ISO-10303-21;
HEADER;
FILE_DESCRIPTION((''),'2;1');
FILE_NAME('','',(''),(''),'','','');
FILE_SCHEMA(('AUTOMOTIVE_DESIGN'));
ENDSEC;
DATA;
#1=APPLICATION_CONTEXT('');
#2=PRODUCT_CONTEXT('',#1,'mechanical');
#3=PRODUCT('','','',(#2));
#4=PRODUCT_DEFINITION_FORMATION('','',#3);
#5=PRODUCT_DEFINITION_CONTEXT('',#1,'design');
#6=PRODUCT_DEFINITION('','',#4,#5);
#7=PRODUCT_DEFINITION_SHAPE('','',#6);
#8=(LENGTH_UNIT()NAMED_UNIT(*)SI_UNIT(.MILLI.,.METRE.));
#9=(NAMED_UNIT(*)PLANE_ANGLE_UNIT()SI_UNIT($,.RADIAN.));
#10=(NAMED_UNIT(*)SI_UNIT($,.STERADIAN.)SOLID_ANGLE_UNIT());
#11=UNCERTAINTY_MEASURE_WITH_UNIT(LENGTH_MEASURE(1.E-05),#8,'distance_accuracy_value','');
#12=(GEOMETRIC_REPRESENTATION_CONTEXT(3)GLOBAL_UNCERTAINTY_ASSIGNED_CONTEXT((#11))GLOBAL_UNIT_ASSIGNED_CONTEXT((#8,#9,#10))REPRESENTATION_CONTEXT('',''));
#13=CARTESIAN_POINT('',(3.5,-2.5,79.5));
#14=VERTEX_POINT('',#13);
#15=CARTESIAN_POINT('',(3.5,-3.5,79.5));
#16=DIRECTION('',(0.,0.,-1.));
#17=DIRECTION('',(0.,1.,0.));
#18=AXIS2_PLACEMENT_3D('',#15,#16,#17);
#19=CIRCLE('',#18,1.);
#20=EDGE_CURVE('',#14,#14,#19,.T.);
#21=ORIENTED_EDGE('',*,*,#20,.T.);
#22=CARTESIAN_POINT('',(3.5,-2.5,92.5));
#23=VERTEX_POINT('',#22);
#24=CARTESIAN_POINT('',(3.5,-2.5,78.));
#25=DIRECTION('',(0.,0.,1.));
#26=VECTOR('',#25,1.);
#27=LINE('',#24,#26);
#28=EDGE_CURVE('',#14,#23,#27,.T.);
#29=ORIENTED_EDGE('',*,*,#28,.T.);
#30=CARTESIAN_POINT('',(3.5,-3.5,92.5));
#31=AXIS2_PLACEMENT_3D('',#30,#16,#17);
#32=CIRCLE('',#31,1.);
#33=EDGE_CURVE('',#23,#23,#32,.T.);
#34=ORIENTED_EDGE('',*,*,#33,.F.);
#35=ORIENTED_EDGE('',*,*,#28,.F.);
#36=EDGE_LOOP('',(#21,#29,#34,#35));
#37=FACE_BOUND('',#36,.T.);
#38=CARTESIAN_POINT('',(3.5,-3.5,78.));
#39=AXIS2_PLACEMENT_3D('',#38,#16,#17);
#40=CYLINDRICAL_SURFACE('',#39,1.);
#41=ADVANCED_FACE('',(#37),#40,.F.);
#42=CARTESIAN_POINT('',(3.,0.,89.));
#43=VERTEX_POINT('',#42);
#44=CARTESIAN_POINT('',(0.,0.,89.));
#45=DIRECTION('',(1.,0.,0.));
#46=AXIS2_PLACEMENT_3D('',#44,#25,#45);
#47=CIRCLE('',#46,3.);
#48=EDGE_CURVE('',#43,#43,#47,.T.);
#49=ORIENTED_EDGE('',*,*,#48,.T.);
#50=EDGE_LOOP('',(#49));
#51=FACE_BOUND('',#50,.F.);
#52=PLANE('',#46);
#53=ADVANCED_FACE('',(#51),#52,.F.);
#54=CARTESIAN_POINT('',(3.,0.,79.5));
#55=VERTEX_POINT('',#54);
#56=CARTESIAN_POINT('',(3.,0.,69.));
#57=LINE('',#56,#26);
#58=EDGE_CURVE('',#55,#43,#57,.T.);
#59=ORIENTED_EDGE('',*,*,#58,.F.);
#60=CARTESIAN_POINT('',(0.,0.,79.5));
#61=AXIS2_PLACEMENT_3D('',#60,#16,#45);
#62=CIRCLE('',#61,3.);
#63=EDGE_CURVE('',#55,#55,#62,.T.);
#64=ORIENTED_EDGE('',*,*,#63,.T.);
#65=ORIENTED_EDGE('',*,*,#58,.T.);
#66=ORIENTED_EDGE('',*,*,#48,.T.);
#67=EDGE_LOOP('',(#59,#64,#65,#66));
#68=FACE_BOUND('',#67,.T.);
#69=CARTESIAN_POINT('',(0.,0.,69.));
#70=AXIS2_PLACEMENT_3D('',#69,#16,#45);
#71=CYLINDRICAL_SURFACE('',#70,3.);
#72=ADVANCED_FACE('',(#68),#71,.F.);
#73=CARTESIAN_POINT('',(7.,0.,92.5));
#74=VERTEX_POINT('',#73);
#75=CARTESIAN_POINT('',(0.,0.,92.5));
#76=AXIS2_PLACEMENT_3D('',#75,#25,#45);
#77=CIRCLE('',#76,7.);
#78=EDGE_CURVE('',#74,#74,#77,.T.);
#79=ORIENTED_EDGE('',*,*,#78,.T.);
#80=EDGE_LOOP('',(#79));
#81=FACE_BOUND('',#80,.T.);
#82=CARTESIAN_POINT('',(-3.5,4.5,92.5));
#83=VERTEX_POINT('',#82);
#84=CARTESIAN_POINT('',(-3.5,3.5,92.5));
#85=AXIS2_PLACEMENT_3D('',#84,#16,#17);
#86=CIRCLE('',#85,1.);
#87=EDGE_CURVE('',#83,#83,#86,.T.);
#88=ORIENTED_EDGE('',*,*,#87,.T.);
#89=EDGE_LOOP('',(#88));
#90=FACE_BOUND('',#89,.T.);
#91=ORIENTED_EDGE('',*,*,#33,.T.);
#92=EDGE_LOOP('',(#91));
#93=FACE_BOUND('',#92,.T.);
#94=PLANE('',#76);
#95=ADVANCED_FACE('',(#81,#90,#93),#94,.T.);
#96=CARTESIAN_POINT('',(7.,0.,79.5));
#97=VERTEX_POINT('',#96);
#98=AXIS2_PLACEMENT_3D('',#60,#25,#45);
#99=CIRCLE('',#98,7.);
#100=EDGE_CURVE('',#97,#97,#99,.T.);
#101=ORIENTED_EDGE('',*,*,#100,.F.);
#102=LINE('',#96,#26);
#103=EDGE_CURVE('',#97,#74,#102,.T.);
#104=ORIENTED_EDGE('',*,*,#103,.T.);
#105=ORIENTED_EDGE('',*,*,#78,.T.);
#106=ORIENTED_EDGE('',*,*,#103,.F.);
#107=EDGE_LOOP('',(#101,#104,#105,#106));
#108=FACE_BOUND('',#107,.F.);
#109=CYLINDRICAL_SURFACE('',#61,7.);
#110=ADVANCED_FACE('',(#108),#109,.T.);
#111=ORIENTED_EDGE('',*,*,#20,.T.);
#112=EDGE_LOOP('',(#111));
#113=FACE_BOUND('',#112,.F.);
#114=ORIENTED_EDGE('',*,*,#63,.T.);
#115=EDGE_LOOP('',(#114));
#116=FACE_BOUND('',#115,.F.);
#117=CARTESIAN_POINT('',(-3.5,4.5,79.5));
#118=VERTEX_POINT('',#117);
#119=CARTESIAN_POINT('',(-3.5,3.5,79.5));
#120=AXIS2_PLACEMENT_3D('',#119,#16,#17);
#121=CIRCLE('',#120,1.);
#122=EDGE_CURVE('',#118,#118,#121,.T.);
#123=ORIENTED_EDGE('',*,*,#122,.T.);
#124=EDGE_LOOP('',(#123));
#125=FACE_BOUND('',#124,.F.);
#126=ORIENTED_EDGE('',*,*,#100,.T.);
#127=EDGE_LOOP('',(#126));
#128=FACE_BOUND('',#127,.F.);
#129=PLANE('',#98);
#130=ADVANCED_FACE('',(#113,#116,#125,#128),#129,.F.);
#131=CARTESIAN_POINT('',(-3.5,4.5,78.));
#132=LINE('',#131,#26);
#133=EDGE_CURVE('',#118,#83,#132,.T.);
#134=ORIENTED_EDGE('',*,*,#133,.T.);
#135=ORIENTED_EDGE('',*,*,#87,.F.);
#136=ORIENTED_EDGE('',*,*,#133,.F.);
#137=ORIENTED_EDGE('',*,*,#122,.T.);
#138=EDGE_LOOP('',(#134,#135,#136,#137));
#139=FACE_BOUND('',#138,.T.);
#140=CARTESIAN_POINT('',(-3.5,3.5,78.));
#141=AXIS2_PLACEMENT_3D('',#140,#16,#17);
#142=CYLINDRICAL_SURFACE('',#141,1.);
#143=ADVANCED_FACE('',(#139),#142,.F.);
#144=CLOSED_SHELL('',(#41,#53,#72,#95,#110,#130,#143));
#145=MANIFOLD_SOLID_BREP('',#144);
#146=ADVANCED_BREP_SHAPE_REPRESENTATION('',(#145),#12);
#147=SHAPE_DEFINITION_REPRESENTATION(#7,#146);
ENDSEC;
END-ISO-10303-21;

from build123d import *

# Parameters (mm, degrees)
CYLINDER1799_R              = 3
CYLINDER1799_DEPTH          = 20
CYLINDER1788_R              = 1
CYLINDER1788_DEPTH          = 20
CYLINDER1789_R              = 1
CYLINDER1789_DEPTH          = 20
COMPOUND878_PLACEMENT_ANGLE = 90
CYLINDER1941_R              = 7
CYLINDER1941_DEPTH          = 13


with BuildPart() as v_lec1799:
    # Cylinder1799 → Cylinder1799 (new body)
    with BuildSketch(Plane.XY.offset(69)):
        Circle(CYLINDER1799_R)
    extrude(amount=CYLINDER1799_DEPTH)


with BuildPart() as v_lec1788:
    # Cylinder1788 → Cylinder1788 (new body)
    with BuildSketch(Plane(origin=(-3.5, -3.5, 0), x_dir=(1, 0, 0), z_dir=(0, 0, 1))):
        Circle(CYLINDER1788_R)
    extrude(amount=CYLINDER1788_DEPTH)


with BuildPart() as compound878:
    # Cylinder1789 → Cylinder1789 (new body)
    with BuildSketch(Plane(origin=(3.5, 3.5, 0), x_dir=(1, 0, 0), z_dir=(0, 0, 1))):
        Circle(CYLINDER1789_R)
    extrude(amount=CYLINDER1789_DEPTH)

    # Compound878: union Válec1788
    add(v_lec1788.part)


with BuildPart() as compound878_1:
    # Compound878 placement: moved
    add(compound878.part.moved(Location((0, 0, 78))).rotate(Axis((0, 0, 78), (0, 0, 1)), COMPOUND878_PLACEMENT_ANGLE))


with BuildPart() as cut667:
    # Cylinder1941 → Cylinder1941 (new body)
    with BuildSketch(Plane.XY.offset(-27.5)):
        Circle(CYLINDER1941_R)
    extrude(amount=CYLINDER1941_DEPTH)


with BuildPart() as cut667_1:
    # Compound876 placement: moved
    add(cut667.part.moved(Location((0, 0, 107))))

    # Cut714: cut Compound878
    add(compound878_1.part, mode=Mode.SUBTRACT)

    # Cut667: cut Válec1799
    add(v_lec1799.part, mode=Mode.SUBTRACT)


solid = cut667_1.part
